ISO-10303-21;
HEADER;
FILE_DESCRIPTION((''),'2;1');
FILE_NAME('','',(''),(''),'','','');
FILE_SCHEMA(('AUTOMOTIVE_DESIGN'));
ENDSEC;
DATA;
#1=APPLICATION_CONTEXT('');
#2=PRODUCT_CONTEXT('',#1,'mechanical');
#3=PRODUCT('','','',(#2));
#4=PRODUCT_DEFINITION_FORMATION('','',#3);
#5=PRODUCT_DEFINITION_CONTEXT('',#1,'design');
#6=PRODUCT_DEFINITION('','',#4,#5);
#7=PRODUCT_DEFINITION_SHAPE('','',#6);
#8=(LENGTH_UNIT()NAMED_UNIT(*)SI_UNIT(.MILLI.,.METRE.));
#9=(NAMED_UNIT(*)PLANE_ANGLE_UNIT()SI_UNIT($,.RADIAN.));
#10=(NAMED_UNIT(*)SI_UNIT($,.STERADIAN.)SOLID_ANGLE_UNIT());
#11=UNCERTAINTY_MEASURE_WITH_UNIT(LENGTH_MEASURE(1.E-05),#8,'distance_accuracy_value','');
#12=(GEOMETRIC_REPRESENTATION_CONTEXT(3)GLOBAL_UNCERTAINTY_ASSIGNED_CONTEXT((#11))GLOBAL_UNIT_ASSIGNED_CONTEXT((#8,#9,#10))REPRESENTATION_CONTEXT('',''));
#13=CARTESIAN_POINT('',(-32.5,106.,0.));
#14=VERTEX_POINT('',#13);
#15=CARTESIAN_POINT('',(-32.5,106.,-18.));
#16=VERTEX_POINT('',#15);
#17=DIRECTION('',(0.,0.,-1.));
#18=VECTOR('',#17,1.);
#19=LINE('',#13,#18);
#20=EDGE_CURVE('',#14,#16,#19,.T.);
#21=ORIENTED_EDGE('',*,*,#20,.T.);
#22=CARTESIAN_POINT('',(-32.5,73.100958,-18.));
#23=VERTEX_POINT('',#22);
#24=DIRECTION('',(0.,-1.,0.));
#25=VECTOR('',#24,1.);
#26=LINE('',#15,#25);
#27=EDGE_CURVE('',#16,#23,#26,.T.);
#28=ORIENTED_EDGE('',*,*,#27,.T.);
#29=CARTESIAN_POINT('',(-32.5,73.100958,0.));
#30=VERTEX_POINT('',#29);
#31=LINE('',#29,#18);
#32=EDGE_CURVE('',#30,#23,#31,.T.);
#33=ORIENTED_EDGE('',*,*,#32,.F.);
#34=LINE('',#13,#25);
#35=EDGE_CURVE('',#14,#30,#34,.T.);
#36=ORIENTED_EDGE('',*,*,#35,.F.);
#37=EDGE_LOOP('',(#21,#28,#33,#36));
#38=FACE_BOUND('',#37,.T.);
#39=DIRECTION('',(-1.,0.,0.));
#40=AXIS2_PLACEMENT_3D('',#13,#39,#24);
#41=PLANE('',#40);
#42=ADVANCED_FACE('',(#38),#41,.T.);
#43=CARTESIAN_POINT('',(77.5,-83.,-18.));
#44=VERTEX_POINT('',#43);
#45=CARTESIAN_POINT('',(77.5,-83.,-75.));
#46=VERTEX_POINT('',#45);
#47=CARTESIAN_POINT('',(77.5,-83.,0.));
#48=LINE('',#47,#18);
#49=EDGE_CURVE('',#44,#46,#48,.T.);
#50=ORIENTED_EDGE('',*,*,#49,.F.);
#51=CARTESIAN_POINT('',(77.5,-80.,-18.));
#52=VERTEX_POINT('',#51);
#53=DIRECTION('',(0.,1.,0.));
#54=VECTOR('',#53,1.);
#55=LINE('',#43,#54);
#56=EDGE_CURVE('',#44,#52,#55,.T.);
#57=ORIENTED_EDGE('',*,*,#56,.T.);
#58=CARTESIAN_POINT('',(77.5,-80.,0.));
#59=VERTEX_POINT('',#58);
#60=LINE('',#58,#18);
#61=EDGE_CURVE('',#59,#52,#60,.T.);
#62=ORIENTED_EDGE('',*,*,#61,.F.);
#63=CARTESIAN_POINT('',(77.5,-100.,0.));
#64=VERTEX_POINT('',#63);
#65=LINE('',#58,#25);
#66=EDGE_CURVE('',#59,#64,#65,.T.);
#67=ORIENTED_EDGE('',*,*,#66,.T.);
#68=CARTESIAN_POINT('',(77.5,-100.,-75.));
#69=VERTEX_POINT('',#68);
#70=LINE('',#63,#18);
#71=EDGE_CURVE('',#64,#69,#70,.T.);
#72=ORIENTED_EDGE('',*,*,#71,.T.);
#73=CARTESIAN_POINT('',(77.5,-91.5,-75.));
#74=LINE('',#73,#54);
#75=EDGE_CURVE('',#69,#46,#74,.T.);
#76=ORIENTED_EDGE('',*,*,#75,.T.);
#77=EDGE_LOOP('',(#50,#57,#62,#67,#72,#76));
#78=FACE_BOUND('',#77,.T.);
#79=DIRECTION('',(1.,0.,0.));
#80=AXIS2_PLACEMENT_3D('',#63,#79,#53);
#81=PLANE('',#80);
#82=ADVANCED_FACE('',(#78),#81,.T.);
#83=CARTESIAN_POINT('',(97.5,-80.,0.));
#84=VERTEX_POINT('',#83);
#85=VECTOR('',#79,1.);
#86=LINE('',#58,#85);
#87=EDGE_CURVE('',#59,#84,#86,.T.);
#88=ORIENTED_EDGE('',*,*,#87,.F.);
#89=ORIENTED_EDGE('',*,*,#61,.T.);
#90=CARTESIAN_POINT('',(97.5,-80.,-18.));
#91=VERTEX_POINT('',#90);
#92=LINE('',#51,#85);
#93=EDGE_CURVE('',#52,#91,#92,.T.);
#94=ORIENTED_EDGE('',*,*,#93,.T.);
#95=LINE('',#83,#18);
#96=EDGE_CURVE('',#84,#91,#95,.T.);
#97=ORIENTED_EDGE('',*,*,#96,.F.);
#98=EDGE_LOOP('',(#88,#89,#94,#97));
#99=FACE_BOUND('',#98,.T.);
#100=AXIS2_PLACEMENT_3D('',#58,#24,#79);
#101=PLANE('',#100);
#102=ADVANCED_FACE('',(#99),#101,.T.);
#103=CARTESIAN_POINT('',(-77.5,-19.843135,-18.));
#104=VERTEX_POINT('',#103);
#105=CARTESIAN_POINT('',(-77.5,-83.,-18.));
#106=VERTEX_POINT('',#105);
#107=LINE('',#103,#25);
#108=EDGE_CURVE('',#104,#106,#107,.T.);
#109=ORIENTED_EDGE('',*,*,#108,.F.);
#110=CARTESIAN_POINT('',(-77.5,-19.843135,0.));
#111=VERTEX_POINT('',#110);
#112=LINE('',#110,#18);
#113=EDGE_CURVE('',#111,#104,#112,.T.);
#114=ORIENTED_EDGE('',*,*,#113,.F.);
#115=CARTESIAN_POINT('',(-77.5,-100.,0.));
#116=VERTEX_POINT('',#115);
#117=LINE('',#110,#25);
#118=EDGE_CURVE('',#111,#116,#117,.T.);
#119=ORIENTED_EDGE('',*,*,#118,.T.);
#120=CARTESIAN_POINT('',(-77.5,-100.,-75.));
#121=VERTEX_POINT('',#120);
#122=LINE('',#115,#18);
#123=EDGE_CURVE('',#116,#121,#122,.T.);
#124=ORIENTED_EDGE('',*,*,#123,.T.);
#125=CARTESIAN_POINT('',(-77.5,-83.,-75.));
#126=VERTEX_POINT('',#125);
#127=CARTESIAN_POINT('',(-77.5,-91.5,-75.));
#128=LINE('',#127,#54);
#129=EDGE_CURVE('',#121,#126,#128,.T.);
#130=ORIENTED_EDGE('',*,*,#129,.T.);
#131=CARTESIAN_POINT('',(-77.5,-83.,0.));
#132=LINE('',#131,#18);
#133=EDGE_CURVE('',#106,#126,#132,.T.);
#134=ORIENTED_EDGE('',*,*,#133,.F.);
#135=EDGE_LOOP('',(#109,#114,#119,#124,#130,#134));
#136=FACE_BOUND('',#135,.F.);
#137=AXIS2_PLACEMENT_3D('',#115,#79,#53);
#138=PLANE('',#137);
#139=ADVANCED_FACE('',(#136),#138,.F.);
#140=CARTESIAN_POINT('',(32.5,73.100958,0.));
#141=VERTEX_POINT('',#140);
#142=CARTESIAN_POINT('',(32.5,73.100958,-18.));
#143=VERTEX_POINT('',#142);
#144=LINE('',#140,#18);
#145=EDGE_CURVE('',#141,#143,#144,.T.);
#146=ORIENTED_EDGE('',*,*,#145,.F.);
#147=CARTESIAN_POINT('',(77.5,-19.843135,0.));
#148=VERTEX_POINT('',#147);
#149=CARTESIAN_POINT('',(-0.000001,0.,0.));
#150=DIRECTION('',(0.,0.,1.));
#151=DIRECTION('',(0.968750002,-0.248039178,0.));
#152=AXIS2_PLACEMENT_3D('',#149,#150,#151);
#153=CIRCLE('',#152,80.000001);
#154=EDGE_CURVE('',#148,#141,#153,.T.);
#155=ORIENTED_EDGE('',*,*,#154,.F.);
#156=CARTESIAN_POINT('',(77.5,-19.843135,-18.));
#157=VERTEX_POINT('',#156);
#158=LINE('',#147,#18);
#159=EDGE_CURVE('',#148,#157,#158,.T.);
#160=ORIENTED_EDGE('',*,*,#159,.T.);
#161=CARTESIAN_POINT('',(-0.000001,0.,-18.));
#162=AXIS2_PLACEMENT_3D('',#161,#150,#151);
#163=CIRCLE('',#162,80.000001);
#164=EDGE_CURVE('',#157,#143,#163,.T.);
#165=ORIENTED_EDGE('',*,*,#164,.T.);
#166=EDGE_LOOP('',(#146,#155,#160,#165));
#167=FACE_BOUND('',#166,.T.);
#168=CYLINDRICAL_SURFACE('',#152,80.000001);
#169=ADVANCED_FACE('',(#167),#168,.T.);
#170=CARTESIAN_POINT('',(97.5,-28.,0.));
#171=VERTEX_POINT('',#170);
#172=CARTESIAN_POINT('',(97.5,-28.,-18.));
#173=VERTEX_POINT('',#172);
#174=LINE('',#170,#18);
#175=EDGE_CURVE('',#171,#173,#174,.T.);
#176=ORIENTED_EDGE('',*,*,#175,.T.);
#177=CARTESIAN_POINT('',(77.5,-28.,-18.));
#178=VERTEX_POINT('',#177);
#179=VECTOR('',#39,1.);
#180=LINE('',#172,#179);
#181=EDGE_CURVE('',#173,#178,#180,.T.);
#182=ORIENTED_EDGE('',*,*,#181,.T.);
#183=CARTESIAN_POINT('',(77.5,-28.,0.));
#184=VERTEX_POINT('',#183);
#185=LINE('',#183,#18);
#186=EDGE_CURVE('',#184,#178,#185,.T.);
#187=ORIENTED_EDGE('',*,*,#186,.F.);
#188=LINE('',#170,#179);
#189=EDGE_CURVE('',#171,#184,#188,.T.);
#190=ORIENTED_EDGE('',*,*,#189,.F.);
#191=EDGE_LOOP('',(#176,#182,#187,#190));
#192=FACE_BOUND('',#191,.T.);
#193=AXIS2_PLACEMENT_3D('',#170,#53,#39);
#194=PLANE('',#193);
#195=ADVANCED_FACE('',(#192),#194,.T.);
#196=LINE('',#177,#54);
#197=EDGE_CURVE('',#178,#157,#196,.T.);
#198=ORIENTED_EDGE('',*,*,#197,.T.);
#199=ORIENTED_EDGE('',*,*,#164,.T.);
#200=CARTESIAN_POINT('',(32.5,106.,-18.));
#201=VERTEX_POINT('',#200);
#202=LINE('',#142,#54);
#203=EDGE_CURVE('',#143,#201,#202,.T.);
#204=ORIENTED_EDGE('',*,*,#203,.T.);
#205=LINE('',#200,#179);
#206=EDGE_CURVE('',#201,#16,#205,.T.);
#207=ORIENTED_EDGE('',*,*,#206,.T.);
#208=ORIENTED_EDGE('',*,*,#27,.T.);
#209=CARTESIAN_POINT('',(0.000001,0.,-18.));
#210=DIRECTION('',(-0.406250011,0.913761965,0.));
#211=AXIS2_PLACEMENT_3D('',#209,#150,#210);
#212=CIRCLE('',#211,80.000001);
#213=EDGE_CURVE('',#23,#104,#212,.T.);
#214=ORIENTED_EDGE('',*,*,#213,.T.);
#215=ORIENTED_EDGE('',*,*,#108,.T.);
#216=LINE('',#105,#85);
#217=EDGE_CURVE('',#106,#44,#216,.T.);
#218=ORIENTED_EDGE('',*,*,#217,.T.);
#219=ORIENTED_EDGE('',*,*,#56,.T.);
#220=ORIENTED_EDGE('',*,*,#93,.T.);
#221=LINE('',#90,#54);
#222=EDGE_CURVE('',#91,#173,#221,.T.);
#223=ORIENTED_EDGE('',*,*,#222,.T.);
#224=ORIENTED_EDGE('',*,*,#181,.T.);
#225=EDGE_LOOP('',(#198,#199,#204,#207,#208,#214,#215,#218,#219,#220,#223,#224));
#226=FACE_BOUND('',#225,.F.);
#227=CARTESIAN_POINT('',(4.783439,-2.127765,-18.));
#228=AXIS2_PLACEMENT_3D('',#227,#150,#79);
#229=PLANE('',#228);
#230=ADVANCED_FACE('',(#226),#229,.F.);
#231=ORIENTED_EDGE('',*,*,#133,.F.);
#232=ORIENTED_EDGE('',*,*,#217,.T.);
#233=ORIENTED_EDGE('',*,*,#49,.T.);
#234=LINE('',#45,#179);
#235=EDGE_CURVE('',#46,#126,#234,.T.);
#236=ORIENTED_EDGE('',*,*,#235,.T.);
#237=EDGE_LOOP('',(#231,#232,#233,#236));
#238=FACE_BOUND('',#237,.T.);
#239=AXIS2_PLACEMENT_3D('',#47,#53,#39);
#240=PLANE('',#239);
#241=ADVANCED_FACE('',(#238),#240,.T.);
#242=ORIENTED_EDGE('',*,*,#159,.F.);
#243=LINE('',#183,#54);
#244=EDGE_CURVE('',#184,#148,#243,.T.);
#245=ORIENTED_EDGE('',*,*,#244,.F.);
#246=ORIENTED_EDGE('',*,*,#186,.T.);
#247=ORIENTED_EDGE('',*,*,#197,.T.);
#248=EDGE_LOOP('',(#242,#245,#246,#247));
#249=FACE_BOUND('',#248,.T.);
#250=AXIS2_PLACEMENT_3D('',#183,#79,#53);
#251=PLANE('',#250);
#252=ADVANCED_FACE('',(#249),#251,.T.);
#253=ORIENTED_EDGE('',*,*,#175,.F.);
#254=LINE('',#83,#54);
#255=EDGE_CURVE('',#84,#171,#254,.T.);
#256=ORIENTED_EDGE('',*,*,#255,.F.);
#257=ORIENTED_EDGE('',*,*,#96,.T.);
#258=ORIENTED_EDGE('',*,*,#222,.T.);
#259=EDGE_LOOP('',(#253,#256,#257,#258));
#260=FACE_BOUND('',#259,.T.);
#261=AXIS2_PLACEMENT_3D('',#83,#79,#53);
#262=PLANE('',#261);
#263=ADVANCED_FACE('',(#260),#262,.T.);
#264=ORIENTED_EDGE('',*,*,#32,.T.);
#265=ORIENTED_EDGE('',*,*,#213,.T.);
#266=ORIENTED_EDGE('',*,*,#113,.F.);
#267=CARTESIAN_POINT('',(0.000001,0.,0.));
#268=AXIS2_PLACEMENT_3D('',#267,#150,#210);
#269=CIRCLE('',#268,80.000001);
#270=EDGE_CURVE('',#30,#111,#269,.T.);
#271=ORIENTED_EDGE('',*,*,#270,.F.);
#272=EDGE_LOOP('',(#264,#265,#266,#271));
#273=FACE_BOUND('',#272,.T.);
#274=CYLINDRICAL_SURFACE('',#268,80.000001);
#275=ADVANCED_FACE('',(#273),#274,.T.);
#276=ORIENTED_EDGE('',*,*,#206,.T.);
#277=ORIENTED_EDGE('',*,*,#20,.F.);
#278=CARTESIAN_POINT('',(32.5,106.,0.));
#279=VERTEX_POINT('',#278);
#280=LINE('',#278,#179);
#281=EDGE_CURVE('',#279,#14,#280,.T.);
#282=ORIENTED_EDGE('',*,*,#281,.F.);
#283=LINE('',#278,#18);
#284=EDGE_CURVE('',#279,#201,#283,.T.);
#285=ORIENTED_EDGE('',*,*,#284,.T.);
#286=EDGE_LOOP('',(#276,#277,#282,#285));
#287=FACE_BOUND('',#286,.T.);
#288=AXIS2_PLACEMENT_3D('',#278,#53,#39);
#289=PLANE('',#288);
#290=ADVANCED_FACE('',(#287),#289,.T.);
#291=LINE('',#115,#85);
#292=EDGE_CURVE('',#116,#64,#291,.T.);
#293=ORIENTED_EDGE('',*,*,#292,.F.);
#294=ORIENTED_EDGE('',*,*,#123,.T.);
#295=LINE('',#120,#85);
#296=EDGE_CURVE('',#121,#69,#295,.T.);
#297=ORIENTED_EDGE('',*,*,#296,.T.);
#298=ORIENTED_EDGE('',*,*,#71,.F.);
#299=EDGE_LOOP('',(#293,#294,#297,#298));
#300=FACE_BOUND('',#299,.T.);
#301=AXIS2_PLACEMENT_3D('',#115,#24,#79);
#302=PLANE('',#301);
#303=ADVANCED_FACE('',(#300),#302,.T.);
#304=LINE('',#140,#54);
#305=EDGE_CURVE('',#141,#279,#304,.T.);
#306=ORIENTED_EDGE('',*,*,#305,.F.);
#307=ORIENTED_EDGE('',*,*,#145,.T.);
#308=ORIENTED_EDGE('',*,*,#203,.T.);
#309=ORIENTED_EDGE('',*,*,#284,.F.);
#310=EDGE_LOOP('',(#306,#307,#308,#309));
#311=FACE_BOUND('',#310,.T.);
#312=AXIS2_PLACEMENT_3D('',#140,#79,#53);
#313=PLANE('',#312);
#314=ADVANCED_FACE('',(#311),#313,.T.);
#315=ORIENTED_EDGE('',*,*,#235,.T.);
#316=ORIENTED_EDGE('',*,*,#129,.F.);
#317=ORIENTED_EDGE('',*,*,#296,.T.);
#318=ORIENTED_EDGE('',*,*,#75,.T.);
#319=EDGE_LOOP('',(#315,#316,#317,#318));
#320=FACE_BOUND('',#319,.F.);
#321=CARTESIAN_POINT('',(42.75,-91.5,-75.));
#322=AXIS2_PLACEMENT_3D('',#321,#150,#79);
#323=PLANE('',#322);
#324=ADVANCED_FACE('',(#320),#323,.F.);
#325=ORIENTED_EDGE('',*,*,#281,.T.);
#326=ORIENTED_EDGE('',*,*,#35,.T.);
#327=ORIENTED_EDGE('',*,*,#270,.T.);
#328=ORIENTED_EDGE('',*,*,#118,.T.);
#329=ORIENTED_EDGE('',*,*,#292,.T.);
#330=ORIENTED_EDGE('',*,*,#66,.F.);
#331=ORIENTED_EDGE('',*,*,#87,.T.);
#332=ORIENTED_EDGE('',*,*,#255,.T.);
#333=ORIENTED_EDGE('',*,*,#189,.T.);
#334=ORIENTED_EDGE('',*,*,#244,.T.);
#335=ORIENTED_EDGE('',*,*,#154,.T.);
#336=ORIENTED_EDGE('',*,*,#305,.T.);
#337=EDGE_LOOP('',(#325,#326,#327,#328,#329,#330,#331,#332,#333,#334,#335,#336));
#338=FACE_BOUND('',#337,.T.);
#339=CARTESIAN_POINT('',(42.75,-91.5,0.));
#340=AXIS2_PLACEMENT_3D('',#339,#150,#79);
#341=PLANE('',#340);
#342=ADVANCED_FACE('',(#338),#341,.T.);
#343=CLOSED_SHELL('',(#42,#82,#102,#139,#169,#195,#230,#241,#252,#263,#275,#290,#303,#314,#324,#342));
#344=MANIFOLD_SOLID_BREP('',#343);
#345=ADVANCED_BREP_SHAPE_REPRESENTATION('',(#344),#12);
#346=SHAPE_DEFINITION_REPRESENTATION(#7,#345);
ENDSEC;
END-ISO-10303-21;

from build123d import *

# Parameters (mm, degrees)
F0_W     = 16
F0_H     = 28
F1_DEPTH = 18
F0_W_2   = 69.5
F0_H_2   = 17
F2_DEPTH = 75


with BuildPart() as f1:
    # F0 (on Top) → F1 (new body)
    with BuildSketch(Plane.XY):
        with BuildLine():
            Line((-77.5, -19.843135), (-77.5, -83))
            Line((-77.5, -83), (-8, -83))
            Line((-8, -83), (-8, -55))
            Line((-8, -55), (-22, -55))
            ThreePointArc((-22, -55), (-27.656854, -52.656854), (-30, -47))
            ThreePointArc((-30, -47), (-27.656854, -41.343146), (-22, -39))
            Line((-22, -39), (22, -39))
            ThreePointArc((22, -39), (27.656854, -41.343146), (30, -47))
            ThreePointArc((30, -47), (27.656854, -52.656854), (22, -55))
            Line((22, -55), (8, -55))
            Line((8, -55), (8, -83))
            Line((8, -83), (77.5, -83))
            Line((77.5, -83), (77.5, -80))
            Line((77.5, -80), (97.5, -80))
            Line((97.5, -80), (97.5, -28))
            Line((97.5, -28), (77.5, -28))
            Line((77.5, -28), (77.5, -19.843135))
            ThreePointArc((77.5, -19.843135), (72.004521, 34.861855), (32.5, 73.100958))
            Line((32.5, 73.100958), (32.5, 106))
            Line((32.5, 106), (8, 106))
            Line((8, 106), (8, 54))
            ThreePointArc((8, 54), (5.656854, 48.343146), (0, 46))
            ThreePointArc((0, 46), (-5.656854, 48.343146), (-8, 54))
            Line((-8, 54), (-8, 106))
            Line((-8, 106), (-32.5, 106))
            Line((-32.5, 106), (-32.5, 73.100958))
            ThreePointArc((-32.5, 73.100958), (-72.004521, 34.861855), (-77.5, -19.843135))
        make_face()
        with Locations((0, -69)):
            Rectangle(F0_W, F0_H)
        with BuildLine():
            Line((-22, -55), (-8, -55))
            Line((-8, -55), (8, -55))
            Line((8, -55), (22, -55))
            ThreePointArc((22, -55), (27.656854, -52.656854), (30, -47))
            ThreePointArc((30, -47), (27.656854, -41.343146), (22, -39))
            Line((22, -39), (-22, -39))
            ThreePointArc((-22, -39), (-27.656854, -41.343146), (-30, -47))
            ThreePointArc((-30, -47), (-27.656854, -52.656854), (-22, -55))
        make_face()
        with BuildLine():
            Line((8, 106), (-8, 106))
            Line((-8, 106), (-8, 54))
            ThreePointArc((-8, 54), (-5.656854, 48.343146), (0, 46))
            ThreePointArc((0, 46), (5.656854, 48.343146), (8, 54))
            Line((8, 54), (8, 106))
        make_face()
    extrude(amount=-F1_DEPTH)

    # F0 (on Top) → F2 (join)
    with BuildSketch(Plane.XY):
        with Locations((42.75, -91.5)):
            Rectangle(F0_W_2, F0_H_2)
        with Locations((0, -91.5)):
            Rectangle(F0_W, F0_H_2)
        with Locations((-42.75, -91.5)):
            Rectangle(F0_W_2, F0_H_2)
    extrude(amount=-F2_DEPTH)


solid = f1.part
